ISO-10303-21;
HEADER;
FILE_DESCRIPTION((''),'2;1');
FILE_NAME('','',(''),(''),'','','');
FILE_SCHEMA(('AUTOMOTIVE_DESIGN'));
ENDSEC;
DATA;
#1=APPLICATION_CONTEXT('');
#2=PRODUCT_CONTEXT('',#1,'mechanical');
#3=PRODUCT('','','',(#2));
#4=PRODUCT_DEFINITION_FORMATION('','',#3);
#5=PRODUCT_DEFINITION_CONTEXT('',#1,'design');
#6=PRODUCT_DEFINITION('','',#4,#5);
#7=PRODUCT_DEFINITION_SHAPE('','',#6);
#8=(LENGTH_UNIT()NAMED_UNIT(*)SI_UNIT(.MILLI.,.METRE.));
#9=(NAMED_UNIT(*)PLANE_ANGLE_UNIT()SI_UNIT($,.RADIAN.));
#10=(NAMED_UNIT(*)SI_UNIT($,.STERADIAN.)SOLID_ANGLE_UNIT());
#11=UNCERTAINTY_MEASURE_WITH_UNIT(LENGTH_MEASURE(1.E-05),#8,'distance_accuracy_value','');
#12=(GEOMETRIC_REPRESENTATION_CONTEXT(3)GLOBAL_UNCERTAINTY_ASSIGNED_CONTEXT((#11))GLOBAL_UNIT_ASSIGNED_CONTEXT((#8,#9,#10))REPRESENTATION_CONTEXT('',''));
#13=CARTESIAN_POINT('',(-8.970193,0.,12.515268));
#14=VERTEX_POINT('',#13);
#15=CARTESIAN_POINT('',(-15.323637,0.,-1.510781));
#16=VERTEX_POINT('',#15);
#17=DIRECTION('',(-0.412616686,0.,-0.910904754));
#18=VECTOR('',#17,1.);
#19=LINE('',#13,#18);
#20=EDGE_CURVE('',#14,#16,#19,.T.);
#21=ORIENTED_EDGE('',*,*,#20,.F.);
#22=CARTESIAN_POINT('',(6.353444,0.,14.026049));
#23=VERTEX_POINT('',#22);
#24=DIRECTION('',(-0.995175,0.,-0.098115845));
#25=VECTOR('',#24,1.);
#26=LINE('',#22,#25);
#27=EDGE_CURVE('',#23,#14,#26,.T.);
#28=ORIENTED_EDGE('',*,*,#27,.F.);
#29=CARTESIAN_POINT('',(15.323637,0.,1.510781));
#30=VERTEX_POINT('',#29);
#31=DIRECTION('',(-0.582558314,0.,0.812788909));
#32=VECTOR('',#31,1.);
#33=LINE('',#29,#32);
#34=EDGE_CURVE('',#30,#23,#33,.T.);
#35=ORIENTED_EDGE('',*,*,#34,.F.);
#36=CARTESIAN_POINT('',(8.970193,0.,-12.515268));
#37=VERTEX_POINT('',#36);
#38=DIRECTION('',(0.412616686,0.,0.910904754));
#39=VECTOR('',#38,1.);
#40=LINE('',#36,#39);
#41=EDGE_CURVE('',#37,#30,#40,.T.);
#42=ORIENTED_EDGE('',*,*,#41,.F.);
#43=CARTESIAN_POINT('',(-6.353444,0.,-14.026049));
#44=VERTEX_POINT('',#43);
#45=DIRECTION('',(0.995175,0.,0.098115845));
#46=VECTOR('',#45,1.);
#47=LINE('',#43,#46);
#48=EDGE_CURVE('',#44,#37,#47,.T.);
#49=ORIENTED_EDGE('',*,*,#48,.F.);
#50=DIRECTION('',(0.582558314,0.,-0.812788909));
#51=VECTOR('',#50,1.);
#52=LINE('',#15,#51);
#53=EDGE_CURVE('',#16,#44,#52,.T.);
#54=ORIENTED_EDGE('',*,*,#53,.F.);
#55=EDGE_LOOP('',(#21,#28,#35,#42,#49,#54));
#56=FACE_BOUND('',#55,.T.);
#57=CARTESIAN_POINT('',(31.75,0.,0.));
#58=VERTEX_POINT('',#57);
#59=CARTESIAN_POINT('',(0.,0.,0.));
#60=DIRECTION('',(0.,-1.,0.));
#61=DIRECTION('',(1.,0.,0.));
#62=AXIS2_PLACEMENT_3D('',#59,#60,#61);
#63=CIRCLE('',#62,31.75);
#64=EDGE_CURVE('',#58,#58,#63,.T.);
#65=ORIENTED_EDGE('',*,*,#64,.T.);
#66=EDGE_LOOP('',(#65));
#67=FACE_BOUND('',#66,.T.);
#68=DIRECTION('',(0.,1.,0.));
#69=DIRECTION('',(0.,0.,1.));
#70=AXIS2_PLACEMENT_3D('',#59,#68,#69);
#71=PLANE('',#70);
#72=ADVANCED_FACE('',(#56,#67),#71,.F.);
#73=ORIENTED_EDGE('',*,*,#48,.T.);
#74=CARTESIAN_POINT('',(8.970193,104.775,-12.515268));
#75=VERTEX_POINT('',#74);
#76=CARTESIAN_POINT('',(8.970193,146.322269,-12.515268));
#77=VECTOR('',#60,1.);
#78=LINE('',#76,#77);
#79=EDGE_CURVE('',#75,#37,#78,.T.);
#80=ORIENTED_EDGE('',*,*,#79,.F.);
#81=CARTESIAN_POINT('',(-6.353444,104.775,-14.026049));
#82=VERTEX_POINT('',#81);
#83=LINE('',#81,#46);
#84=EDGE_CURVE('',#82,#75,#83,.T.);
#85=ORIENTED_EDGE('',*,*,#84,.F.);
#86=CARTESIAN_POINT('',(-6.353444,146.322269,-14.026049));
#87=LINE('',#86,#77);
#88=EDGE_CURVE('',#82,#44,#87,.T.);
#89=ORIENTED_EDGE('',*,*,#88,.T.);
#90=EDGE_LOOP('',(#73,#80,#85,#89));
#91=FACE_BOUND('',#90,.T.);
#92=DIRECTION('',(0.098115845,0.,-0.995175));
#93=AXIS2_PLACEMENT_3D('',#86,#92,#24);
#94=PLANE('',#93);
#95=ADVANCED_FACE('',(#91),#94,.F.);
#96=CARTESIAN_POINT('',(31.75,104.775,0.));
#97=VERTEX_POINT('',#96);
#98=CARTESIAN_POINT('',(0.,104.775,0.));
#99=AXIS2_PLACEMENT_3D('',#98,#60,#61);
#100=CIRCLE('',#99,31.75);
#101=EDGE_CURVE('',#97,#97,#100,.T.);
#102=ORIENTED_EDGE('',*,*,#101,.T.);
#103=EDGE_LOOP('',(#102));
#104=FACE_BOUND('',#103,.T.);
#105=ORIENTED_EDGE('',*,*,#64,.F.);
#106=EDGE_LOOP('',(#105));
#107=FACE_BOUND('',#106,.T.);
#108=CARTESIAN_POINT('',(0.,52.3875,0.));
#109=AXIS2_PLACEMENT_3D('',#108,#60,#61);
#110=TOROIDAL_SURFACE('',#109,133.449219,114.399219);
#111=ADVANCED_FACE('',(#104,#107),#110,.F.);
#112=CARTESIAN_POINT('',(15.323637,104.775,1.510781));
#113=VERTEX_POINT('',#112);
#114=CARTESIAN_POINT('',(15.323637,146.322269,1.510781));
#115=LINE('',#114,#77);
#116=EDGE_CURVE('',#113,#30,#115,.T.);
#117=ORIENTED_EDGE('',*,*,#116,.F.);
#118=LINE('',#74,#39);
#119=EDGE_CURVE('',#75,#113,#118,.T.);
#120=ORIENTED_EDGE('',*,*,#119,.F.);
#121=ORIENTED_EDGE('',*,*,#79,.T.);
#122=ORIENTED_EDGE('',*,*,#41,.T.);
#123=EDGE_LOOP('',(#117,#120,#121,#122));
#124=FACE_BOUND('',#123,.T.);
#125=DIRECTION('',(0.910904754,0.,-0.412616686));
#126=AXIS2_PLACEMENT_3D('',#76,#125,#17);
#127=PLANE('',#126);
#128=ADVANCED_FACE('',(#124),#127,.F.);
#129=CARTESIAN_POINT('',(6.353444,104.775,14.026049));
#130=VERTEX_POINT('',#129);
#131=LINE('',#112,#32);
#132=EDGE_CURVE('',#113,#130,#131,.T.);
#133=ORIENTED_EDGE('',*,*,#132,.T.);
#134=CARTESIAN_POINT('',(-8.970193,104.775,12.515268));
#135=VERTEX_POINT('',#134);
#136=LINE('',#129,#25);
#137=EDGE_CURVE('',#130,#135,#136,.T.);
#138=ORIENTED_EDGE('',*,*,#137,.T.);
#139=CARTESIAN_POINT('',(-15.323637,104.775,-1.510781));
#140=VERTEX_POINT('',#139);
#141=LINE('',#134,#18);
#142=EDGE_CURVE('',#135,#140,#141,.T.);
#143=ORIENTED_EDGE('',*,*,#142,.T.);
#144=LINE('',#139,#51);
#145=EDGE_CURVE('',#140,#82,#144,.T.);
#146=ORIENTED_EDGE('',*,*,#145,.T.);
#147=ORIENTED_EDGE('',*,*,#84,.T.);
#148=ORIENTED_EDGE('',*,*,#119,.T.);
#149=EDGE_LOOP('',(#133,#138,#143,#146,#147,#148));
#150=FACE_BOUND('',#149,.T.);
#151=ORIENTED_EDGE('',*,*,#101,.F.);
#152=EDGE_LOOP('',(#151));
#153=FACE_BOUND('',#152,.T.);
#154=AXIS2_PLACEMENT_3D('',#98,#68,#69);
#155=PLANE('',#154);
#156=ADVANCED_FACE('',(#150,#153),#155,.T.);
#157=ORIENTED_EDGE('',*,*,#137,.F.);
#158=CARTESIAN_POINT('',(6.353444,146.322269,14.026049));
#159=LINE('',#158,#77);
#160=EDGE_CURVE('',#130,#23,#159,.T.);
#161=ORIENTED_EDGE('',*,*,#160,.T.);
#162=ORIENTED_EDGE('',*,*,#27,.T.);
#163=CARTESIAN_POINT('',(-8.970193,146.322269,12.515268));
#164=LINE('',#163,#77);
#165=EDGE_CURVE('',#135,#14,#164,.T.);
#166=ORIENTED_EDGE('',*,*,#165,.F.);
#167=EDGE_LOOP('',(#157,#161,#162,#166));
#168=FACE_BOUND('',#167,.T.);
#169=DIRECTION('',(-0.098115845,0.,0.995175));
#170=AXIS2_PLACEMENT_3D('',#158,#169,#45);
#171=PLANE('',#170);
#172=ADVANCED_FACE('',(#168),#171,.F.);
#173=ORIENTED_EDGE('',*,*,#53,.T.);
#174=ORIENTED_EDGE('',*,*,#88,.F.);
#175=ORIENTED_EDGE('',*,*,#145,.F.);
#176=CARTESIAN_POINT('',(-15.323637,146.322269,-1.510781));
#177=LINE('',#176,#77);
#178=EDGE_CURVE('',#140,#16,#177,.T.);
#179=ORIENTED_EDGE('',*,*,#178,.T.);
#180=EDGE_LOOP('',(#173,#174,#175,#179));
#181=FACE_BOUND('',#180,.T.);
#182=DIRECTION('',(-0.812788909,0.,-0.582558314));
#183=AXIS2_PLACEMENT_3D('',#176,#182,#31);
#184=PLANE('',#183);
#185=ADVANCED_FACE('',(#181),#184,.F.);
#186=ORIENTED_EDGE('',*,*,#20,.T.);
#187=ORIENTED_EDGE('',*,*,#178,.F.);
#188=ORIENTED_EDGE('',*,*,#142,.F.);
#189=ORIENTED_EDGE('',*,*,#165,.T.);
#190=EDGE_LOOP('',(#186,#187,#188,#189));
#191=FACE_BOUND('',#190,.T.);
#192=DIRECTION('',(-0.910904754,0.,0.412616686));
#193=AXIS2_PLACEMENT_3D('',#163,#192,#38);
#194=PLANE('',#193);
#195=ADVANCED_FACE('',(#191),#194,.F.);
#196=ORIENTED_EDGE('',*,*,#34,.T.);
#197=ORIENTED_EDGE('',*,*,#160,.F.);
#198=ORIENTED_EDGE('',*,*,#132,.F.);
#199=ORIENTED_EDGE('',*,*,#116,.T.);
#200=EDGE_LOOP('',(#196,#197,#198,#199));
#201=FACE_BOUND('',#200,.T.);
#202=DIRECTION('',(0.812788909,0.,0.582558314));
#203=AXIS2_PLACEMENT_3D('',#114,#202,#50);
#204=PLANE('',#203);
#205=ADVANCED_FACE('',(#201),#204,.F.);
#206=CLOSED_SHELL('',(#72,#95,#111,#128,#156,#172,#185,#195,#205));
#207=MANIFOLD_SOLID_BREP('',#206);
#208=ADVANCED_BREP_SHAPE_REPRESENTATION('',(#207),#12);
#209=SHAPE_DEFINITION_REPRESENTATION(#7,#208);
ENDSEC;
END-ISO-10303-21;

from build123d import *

# Parameters (mm, degrees)
SKETCH1_R           = 19.05
BOSS_EXTRUDE1_DEPTH = 104.775
CUT_EXTRUDE1_DEPTH  = 104.775


with BuildPart() as part:
    # Sketch1 → Boss-Extrude1 (new body)
    with BuildSketch(Plane(origin=(0, 0, 0), x_dir=(1, 0, 0), z_dir=(0, 1, 0))):
        Circle(SKETCH1_R)
    extrude(amount=BOSS_EXTRUDE1_DEPTH)

    # Sketch2 → Cut-Extrude1 (cut)
    with BuildSketch(Plane.XZ):
        Polygon((-15.323636661, -1.510781079), (-6.353443536, -14.026049167), (8.970193125, -12.515268087), (15.323636661, 1.510781079), (6.353443536, 14.026049167), (-8.970193125, 12.515268087), align=None)
    extrude(amount=-CUT_EXTRUDE1_DEPTH, mode=Mode.SUBTRACT)

    # Sketch4 → Revolve3 (revolve)
    with BuildSketch(Plane.XY):
        with BuildLine():
            Line((-19.05, 52.3875), (-19.05, 104.775))
            Line((-19.05, 104.775), (-31.75, 104.775))
            ThreePointArc((-31.75, 104.775), (-22.270325917, 79.339958869), (-19.05, 52.3875))
        make_face()
        with BuildLine():
            Line((-19.05, 0), (-19.05, 52.3875))
            ThreePointArc((-19.05, 52.3875), (-22.270325917, 25.435041131), (-31.75, 0))
            Line((-31.75, 0), (-19.05, 0))
        make_face()
    revolve(axis=Axis((0, 0, 0), (0, 1, 0)))


solid = part.part
